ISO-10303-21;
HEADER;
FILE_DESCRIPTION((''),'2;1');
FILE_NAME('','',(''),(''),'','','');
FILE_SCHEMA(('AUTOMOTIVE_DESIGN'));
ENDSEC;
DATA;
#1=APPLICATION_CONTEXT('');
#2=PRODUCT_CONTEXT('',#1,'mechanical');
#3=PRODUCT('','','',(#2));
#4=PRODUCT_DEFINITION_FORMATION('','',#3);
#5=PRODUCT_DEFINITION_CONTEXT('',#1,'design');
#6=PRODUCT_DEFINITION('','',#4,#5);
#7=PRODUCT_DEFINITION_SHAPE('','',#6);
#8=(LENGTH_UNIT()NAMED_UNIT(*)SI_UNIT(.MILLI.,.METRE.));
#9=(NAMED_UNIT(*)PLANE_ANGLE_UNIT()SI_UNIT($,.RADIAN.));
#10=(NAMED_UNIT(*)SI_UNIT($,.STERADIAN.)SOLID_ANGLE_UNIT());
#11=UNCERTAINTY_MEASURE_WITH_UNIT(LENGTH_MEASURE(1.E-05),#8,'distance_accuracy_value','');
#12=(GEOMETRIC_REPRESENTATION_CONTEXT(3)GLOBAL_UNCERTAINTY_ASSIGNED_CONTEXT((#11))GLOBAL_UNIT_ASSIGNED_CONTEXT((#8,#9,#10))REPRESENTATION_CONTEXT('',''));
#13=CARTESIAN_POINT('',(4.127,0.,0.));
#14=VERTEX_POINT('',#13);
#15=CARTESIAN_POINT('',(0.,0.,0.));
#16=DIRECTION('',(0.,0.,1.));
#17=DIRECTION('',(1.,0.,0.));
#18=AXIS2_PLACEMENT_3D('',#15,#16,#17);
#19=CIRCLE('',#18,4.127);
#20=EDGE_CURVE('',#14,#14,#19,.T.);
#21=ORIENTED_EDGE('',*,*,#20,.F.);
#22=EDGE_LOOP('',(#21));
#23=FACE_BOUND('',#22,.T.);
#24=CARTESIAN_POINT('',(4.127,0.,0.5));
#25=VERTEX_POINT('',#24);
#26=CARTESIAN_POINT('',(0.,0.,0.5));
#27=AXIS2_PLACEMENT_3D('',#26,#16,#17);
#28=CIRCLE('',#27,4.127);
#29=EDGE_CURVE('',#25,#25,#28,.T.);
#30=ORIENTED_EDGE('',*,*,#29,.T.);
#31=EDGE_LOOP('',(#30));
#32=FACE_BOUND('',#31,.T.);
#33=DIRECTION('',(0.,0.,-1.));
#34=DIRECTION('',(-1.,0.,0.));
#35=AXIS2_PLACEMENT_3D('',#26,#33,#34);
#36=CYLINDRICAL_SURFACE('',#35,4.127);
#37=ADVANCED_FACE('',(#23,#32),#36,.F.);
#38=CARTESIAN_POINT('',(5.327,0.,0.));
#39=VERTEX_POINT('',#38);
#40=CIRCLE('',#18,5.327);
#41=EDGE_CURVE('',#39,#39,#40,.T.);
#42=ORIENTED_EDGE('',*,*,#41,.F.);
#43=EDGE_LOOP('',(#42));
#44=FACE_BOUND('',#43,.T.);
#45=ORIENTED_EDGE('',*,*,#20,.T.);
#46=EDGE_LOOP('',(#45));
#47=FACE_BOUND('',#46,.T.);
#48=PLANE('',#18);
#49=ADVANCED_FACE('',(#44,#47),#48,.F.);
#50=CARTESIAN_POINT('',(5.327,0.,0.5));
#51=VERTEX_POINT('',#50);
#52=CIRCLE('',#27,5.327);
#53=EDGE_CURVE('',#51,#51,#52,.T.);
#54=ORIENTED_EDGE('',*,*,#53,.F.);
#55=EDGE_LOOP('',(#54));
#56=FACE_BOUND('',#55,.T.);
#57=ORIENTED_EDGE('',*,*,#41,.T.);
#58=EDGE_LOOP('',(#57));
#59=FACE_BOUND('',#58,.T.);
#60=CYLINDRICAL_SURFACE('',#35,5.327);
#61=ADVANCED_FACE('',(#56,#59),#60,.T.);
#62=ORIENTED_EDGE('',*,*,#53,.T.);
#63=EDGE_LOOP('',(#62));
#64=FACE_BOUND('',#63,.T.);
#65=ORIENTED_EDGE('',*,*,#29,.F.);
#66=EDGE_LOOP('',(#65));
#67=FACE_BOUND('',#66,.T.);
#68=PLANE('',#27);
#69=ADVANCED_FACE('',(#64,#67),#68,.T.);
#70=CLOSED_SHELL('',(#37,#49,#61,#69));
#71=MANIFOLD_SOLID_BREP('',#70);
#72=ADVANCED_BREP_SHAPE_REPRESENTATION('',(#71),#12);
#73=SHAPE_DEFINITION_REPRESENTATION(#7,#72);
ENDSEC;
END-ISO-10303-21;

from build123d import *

# Parameters (mm, degrees)
SKETCH1_R           = 5.327
SKETCH1_R_2         = 4.127
BOSS_EXTRUDE1_DEPTH = 0.5


with BuildPart() as part:
    # Sketch1 → Boss-Extrude1 (new body)
    with BuildSketch(Plane.XY):
        Circle(SKETCH1_R)
        Circle(SKETCH1_R_2, mode=Mode.SUBTRACT)
    extrude(amount=BOSS_EXTRUDE1_DEPTH)


solid = part.part
